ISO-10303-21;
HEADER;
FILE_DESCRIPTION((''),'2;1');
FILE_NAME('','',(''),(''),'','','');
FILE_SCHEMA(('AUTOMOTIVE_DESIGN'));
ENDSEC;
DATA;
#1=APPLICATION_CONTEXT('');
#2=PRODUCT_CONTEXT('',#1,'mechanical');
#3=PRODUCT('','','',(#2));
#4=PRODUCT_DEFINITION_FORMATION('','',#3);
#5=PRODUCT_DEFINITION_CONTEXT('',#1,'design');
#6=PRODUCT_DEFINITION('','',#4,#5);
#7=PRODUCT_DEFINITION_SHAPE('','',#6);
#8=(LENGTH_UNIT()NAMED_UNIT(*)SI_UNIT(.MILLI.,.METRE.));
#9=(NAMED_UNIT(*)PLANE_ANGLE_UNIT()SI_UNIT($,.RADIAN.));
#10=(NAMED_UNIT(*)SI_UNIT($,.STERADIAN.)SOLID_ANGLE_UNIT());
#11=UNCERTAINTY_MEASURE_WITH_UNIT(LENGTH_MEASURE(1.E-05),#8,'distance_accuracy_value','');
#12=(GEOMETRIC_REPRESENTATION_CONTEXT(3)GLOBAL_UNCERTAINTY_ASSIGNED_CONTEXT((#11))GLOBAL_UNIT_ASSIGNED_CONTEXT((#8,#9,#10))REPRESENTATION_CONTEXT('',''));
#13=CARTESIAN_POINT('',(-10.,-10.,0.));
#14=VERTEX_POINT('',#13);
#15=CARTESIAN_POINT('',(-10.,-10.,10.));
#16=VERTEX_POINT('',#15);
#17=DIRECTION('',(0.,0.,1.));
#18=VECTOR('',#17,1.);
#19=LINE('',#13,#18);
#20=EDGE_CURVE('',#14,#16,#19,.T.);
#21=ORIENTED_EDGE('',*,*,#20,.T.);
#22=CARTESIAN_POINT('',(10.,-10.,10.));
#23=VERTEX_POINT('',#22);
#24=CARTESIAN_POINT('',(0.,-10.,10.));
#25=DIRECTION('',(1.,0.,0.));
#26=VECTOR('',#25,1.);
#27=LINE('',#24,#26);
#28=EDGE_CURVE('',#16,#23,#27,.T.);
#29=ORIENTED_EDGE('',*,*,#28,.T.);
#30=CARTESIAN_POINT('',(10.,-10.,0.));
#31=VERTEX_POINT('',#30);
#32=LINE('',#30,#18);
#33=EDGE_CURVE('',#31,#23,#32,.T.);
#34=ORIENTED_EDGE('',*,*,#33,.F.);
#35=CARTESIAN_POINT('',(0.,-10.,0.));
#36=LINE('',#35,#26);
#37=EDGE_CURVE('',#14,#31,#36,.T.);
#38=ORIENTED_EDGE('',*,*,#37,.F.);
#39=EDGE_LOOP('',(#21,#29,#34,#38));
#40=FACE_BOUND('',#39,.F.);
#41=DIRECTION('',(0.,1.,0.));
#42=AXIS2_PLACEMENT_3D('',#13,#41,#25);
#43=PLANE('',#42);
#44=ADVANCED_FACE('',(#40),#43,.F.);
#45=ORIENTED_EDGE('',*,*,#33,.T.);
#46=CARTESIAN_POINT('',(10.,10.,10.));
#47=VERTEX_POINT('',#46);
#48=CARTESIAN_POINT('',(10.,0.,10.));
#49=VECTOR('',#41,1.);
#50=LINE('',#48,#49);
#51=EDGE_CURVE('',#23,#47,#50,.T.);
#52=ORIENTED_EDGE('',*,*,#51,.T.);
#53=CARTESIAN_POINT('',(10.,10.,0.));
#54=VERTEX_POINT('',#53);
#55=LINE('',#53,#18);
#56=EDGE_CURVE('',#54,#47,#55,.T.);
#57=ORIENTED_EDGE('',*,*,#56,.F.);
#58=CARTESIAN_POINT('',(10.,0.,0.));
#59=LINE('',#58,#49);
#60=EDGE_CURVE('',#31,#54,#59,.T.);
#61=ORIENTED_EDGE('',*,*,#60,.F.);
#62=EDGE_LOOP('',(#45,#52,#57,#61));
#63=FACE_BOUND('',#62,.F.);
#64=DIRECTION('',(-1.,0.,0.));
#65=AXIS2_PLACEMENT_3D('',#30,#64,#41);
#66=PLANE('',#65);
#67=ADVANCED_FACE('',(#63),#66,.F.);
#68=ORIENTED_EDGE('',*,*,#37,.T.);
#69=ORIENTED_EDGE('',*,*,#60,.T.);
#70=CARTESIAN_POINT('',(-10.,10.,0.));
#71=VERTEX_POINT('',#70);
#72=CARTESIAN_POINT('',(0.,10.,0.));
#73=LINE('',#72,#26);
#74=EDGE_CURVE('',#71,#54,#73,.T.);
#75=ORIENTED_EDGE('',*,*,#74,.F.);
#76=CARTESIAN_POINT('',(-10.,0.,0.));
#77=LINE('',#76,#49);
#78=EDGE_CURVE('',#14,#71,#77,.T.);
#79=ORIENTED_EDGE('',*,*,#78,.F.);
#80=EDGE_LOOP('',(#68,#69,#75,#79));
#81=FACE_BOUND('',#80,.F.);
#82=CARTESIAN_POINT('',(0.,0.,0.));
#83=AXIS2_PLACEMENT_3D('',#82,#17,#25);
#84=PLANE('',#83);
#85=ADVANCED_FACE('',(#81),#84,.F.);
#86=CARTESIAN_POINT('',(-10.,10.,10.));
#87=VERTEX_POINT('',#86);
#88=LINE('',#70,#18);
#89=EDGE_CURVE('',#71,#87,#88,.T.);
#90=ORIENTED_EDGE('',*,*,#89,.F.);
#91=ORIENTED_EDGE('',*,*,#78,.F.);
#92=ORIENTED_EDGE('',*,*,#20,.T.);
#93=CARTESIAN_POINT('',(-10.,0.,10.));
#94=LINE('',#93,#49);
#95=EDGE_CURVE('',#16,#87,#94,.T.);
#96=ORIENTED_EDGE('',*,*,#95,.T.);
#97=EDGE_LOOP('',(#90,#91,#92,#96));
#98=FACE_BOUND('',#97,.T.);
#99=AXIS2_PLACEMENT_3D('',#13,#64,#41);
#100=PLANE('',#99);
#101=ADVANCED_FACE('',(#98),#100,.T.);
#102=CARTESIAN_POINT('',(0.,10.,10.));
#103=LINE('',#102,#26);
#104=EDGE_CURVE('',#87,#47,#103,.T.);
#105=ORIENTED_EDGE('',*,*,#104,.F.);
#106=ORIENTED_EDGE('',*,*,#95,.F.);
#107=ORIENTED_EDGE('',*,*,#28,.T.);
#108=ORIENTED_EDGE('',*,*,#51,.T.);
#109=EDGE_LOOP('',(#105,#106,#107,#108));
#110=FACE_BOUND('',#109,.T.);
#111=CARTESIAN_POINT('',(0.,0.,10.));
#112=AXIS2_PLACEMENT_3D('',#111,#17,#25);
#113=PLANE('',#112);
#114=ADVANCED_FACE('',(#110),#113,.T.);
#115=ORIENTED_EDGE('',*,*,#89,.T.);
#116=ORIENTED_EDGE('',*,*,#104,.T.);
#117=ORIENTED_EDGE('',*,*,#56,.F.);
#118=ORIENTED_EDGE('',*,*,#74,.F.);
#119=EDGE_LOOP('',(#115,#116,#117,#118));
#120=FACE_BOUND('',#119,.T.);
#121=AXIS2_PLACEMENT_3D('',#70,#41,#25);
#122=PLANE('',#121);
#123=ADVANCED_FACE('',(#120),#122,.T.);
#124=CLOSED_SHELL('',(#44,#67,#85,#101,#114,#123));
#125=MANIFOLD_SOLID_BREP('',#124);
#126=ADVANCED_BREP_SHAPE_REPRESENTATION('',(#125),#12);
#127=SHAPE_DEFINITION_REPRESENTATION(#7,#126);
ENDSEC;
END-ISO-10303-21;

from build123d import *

# Parameters (mm, degrees)
SKETCH_W  = 20
SKETCH_H  = 20
PAD_DEPTH = 10


with BuildPart() as part:
    # Sketch → Pad (new body)
    with BuildSketch(Plane.XY):
        Rectangle(SKETCH_W, SKETCH_H)
    extrude(amount=PAD_DEPTH)


solid = part.part
